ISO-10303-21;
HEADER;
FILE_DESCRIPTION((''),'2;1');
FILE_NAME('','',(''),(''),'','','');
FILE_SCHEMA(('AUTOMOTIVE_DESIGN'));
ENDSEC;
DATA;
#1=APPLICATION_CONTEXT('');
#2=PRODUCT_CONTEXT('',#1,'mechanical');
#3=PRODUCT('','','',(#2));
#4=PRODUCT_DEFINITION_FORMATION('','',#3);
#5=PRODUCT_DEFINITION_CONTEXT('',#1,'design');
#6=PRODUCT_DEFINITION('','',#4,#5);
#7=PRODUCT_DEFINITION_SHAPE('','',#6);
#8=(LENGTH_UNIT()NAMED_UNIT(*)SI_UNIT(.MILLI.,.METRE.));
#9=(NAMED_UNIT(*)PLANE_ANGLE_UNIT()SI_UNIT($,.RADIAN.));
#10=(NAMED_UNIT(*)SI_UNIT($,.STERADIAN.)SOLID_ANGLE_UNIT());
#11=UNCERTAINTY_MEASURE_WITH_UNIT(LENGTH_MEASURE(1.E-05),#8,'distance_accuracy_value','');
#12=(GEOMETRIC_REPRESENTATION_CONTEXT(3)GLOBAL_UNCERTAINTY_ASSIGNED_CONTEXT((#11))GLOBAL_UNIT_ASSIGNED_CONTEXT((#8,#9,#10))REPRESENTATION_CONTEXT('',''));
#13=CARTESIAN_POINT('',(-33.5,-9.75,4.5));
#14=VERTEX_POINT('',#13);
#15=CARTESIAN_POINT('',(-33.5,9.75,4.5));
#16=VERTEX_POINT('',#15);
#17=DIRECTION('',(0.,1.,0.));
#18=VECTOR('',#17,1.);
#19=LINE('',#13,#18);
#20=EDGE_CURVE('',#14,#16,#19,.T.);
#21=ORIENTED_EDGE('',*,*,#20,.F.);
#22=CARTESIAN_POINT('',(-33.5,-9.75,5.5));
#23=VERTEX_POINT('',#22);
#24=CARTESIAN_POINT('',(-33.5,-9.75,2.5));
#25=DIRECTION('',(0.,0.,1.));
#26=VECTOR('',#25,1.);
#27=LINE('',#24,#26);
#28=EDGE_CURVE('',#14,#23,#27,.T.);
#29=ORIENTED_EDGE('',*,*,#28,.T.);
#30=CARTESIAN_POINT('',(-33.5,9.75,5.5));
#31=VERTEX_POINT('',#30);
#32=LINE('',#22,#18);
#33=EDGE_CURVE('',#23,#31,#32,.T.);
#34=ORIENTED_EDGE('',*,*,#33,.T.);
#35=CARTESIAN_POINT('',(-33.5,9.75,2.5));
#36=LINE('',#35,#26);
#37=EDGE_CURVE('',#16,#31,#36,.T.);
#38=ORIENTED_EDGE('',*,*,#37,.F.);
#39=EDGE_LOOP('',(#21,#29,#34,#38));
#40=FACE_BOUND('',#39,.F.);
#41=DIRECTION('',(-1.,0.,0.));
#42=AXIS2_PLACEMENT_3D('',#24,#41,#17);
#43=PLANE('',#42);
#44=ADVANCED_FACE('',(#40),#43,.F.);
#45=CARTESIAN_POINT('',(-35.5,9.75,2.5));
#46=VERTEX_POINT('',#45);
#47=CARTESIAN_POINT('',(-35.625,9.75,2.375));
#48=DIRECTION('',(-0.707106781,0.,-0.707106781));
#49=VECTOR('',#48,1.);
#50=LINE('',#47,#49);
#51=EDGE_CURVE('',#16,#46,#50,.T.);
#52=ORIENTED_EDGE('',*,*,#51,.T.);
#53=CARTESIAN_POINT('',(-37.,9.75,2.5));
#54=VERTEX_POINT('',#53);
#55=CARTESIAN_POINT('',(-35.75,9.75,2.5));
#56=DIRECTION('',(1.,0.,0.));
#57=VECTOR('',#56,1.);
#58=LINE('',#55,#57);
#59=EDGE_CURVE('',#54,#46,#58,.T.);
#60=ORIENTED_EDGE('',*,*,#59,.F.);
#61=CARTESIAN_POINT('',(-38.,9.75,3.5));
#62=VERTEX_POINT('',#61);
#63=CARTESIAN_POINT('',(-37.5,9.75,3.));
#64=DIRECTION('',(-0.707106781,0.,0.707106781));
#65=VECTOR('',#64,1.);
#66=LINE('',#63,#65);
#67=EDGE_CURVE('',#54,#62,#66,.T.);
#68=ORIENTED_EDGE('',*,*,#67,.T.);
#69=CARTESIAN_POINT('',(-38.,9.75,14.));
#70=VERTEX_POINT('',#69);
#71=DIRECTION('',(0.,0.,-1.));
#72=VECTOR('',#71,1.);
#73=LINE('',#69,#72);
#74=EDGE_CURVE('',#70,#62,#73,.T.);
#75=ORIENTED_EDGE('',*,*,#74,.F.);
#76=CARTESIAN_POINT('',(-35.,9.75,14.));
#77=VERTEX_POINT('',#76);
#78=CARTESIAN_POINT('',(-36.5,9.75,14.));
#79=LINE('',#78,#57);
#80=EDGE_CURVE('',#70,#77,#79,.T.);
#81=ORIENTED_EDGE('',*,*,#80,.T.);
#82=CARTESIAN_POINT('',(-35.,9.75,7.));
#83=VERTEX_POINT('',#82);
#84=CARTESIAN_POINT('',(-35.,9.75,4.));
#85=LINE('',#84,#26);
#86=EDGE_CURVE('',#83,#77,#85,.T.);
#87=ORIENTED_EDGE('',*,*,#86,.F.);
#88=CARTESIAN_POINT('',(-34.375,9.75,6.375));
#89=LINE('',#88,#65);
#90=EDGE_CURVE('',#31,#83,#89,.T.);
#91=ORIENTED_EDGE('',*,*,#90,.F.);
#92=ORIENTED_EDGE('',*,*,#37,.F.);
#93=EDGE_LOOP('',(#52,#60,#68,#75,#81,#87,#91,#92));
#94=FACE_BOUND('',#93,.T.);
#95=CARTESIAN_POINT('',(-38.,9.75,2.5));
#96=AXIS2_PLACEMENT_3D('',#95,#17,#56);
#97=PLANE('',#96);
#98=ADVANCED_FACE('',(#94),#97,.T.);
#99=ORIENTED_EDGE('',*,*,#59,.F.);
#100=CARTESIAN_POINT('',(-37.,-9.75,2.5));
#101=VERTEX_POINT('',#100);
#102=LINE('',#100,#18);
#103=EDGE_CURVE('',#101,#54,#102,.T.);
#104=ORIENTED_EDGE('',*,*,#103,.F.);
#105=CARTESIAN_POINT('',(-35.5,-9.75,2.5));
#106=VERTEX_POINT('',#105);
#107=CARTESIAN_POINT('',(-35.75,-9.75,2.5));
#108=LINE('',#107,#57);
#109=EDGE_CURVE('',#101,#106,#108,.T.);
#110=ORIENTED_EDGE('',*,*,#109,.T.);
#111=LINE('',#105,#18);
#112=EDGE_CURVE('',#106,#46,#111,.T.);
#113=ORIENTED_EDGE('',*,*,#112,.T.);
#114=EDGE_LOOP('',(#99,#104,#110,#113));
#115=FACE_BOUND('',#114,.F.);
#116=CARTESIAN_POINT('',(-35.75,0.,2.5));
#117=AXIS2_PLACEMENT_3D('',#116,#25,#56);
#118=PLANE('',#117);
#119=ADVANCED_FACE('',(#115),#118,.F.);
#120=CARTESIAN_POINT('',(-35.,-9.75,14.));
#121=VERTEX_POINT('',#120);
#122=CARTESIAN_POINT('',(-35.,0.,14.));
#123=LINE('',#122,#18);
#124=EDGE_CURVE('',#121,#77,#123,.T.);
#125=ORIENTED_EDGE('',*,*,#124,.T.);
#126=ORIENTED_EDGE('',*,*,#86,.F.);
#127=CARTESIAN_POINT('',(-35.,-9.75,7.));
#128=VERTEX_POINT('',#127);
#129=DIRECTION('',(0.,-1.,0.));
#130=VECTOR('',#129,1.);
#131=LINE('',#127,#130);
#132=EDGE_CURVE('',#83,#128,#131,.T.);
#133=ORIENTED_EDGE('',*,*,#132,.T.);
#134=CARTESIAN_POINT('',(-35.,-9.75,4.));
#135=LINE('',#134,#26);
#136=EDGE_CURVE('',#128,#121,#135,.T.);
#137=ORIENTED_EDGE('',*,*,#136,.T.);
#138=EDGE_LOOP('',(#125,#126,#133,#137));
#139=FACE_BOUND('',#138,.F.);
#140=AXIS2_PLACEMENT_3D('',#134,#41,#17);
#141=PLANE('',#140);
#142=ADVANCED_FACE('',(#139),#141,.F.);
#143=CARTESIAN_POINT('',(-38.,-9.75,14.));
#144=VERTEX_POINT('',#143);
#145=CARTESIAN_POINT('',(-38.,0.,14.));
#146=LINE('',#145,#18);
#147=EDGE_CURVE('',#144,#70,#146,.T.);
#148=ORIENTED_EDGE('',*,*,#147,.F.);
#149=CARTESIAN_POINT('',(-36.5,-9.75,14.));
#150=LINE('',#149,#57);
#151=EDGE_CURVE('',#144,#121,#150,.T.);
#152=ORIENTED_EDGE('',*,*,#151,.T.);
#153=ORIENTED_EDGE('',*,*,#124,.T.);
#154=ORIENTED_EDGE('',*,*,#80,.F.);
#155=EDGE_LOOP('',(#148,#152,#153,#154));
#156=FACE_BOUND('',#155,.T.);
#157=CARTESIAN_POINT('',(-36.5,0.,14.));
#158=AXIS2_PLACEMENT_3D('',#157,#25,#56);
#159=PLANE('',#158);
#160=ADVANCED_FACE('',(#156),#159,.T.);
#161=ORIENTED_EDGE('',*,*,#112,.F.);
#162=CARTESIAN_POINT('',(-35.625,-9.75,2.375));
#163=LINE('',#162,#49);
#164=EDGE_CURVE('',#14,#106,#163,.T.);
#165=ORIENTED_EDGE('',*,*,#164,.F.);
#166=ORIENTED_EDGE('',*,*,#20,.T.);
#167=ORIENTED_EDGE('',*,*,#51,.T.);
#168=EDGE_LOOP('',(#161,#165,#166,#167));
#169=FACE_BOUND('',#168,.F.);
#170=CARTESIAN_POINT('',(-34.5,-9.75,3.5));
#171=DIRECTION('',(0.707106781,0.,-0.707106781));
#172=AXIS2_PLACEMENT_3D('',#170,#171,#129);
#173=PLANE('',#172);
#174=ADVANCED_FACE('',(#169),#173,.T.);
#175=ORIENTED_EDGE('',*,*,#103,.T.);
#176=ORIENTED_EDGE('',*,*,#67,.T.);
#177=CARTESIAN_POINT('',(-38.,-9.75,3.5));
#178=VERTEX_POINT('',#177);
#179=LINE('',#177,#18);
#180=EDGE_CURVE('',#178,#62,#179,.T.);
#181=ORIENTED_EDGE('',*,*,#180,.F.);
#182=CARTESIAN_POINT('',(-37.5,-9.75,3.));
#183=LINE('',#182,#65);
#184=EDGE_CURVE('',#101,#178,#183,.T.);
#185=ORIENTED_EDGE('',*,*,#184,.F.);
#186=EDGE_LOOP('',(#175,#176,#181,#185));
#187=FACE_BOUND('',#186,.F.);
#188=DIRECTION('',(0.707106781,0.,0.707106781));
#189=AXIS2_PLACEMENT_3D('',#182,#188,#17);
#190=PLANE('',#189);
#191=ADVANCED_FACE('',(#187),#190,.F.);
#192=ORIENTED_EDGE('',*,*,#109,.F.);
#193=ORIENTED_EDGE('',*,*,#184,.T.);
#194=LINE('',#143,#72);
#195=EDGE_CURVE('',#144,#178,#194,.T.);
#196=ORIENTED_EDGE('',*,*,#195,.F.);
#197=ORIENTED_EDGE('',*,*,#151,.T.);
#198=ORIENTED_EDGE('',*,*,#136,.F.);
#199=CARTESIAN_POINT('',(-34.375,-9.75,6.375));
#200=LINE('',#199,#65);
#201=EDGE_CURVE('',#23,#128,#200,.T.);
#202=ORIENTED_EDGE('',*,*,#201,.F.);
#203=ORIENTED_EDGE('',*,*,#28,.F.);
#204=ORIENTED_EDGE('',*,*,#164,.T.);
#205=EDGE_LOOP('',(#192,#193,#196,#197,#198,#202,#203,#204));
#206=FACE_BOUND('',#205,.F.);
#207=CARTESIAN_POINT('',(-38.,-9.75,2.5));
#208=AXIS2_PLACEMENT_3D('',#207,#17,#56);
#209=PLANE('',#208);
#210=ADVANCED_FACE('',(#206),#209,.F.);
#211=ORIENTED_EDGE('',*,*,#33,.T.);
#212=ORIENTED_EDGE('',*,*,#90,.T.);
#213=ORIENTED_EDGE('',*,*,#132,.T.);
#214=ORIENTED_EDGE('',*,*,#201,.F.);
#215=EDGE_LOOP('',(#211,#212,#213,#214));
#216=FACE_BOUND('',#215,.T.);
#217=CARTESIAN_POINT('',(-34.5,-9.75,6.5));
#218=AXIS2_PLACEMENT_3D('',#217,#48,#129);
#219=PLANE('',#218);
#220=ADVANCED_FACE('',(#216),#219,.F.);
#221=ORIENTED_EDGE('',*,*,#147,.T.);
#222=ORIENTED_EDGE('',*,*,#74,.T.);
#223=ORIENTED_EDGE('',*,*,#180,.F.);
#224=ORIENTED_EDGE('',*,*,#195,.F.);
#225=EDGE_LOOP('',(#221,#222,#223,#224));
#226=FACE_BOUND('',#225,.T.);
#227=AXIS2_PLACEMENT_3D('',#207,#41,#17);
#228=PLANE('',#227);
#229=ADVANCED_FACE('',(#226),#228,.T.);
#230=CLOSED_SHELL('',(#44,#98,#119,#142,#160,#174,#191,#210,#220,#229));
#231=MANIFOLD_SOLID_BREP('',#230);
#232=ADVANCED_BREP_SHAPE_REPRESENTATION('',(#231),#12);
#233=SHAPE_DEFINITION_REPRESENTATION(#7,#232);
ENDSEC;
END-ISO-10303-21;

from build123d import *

# Parameters (mm, degrees)
BOX_W                 = 3
BOX_H                 = 19.5
BOX_DEPTH             = 10
CHAMFER013004004_SIZE = 1
BOX001_W              = 4.5
BOX001_H              = 19.5
BOX001_DEPTH          = 5
CHAMFER013004011_SIZE = 2
CHAMFER013004012_SIZE = 2
CHAMFER013004013_SIZE = 1


with BuildPart() as chamfer013004004:
    # Box → Box (new body)
    with BuildSketch(Plane(origin=(-38, -9.75, 4), x_dir=(1, 0, 0), z_dir=(0, 0, 1))):
        with Locations((1.5, 9.75)):
            Rectangle(BOX_W, BOX_H)
    extrude(amount=BOX_DEPTH)

    # Chamfer013004004
    chamfer013004004_edges = [chamfer013004004.edges().sort_by_distance(p)[0] for p in [
        (-35, 0, 4),
    ]]
    chamfer(chamfer013004004_edges, length=CHAMFER013004004_SIZE)


with BuildPart() as clip:
    # Box001 → Box001 (new body)
    with BuildSketch(Plane(origin=(-38, -9.75, 2), x_dir=(1, 0, 0), z_dir=(0, 0, 1))):
        with Locations((2.25, 9.75)):
            Rectangle(BOX001_W, BOX001_H)
    extrude(amount=BOX001_DEPTH)

    # Chamfer013004011
    chamfer013004011_edges = [clip.edges().sort_by_distance(p)[0] for p in [
        (-33.5, 0, 7),
    ]]
    chamfer(chamfer013004011_edges, length=CHAMFER013004011_SIZE)

    # Chamfer013004012
    chamfer013004012_edges = [clip.edges().sort_by_distance(p)[0] for p in [
        (-33.5, 0, 2),
    ]]
    chamfer(chamfer013004012_edges, length=CHAMFER013004012_SIZE)

    # Chamfer013004013
    chamfer013004013_edges = [clip.edges().sort_by_distance(p)[0] for p in [
        (-38, 0, 2),
    ]]
    chamfer(chamfer013004013_edges, length=CHAMFER013004013_SIZE)


with BuildPart() as clip_1:
    # Chamfer013004013 placement: moved
    add(clip.part.moved(Location((0, 0, 0.5))))

    # Fusion004008: union Chamfer013004004
    add(chamfer013004004.part)


solid = clip_1.part
